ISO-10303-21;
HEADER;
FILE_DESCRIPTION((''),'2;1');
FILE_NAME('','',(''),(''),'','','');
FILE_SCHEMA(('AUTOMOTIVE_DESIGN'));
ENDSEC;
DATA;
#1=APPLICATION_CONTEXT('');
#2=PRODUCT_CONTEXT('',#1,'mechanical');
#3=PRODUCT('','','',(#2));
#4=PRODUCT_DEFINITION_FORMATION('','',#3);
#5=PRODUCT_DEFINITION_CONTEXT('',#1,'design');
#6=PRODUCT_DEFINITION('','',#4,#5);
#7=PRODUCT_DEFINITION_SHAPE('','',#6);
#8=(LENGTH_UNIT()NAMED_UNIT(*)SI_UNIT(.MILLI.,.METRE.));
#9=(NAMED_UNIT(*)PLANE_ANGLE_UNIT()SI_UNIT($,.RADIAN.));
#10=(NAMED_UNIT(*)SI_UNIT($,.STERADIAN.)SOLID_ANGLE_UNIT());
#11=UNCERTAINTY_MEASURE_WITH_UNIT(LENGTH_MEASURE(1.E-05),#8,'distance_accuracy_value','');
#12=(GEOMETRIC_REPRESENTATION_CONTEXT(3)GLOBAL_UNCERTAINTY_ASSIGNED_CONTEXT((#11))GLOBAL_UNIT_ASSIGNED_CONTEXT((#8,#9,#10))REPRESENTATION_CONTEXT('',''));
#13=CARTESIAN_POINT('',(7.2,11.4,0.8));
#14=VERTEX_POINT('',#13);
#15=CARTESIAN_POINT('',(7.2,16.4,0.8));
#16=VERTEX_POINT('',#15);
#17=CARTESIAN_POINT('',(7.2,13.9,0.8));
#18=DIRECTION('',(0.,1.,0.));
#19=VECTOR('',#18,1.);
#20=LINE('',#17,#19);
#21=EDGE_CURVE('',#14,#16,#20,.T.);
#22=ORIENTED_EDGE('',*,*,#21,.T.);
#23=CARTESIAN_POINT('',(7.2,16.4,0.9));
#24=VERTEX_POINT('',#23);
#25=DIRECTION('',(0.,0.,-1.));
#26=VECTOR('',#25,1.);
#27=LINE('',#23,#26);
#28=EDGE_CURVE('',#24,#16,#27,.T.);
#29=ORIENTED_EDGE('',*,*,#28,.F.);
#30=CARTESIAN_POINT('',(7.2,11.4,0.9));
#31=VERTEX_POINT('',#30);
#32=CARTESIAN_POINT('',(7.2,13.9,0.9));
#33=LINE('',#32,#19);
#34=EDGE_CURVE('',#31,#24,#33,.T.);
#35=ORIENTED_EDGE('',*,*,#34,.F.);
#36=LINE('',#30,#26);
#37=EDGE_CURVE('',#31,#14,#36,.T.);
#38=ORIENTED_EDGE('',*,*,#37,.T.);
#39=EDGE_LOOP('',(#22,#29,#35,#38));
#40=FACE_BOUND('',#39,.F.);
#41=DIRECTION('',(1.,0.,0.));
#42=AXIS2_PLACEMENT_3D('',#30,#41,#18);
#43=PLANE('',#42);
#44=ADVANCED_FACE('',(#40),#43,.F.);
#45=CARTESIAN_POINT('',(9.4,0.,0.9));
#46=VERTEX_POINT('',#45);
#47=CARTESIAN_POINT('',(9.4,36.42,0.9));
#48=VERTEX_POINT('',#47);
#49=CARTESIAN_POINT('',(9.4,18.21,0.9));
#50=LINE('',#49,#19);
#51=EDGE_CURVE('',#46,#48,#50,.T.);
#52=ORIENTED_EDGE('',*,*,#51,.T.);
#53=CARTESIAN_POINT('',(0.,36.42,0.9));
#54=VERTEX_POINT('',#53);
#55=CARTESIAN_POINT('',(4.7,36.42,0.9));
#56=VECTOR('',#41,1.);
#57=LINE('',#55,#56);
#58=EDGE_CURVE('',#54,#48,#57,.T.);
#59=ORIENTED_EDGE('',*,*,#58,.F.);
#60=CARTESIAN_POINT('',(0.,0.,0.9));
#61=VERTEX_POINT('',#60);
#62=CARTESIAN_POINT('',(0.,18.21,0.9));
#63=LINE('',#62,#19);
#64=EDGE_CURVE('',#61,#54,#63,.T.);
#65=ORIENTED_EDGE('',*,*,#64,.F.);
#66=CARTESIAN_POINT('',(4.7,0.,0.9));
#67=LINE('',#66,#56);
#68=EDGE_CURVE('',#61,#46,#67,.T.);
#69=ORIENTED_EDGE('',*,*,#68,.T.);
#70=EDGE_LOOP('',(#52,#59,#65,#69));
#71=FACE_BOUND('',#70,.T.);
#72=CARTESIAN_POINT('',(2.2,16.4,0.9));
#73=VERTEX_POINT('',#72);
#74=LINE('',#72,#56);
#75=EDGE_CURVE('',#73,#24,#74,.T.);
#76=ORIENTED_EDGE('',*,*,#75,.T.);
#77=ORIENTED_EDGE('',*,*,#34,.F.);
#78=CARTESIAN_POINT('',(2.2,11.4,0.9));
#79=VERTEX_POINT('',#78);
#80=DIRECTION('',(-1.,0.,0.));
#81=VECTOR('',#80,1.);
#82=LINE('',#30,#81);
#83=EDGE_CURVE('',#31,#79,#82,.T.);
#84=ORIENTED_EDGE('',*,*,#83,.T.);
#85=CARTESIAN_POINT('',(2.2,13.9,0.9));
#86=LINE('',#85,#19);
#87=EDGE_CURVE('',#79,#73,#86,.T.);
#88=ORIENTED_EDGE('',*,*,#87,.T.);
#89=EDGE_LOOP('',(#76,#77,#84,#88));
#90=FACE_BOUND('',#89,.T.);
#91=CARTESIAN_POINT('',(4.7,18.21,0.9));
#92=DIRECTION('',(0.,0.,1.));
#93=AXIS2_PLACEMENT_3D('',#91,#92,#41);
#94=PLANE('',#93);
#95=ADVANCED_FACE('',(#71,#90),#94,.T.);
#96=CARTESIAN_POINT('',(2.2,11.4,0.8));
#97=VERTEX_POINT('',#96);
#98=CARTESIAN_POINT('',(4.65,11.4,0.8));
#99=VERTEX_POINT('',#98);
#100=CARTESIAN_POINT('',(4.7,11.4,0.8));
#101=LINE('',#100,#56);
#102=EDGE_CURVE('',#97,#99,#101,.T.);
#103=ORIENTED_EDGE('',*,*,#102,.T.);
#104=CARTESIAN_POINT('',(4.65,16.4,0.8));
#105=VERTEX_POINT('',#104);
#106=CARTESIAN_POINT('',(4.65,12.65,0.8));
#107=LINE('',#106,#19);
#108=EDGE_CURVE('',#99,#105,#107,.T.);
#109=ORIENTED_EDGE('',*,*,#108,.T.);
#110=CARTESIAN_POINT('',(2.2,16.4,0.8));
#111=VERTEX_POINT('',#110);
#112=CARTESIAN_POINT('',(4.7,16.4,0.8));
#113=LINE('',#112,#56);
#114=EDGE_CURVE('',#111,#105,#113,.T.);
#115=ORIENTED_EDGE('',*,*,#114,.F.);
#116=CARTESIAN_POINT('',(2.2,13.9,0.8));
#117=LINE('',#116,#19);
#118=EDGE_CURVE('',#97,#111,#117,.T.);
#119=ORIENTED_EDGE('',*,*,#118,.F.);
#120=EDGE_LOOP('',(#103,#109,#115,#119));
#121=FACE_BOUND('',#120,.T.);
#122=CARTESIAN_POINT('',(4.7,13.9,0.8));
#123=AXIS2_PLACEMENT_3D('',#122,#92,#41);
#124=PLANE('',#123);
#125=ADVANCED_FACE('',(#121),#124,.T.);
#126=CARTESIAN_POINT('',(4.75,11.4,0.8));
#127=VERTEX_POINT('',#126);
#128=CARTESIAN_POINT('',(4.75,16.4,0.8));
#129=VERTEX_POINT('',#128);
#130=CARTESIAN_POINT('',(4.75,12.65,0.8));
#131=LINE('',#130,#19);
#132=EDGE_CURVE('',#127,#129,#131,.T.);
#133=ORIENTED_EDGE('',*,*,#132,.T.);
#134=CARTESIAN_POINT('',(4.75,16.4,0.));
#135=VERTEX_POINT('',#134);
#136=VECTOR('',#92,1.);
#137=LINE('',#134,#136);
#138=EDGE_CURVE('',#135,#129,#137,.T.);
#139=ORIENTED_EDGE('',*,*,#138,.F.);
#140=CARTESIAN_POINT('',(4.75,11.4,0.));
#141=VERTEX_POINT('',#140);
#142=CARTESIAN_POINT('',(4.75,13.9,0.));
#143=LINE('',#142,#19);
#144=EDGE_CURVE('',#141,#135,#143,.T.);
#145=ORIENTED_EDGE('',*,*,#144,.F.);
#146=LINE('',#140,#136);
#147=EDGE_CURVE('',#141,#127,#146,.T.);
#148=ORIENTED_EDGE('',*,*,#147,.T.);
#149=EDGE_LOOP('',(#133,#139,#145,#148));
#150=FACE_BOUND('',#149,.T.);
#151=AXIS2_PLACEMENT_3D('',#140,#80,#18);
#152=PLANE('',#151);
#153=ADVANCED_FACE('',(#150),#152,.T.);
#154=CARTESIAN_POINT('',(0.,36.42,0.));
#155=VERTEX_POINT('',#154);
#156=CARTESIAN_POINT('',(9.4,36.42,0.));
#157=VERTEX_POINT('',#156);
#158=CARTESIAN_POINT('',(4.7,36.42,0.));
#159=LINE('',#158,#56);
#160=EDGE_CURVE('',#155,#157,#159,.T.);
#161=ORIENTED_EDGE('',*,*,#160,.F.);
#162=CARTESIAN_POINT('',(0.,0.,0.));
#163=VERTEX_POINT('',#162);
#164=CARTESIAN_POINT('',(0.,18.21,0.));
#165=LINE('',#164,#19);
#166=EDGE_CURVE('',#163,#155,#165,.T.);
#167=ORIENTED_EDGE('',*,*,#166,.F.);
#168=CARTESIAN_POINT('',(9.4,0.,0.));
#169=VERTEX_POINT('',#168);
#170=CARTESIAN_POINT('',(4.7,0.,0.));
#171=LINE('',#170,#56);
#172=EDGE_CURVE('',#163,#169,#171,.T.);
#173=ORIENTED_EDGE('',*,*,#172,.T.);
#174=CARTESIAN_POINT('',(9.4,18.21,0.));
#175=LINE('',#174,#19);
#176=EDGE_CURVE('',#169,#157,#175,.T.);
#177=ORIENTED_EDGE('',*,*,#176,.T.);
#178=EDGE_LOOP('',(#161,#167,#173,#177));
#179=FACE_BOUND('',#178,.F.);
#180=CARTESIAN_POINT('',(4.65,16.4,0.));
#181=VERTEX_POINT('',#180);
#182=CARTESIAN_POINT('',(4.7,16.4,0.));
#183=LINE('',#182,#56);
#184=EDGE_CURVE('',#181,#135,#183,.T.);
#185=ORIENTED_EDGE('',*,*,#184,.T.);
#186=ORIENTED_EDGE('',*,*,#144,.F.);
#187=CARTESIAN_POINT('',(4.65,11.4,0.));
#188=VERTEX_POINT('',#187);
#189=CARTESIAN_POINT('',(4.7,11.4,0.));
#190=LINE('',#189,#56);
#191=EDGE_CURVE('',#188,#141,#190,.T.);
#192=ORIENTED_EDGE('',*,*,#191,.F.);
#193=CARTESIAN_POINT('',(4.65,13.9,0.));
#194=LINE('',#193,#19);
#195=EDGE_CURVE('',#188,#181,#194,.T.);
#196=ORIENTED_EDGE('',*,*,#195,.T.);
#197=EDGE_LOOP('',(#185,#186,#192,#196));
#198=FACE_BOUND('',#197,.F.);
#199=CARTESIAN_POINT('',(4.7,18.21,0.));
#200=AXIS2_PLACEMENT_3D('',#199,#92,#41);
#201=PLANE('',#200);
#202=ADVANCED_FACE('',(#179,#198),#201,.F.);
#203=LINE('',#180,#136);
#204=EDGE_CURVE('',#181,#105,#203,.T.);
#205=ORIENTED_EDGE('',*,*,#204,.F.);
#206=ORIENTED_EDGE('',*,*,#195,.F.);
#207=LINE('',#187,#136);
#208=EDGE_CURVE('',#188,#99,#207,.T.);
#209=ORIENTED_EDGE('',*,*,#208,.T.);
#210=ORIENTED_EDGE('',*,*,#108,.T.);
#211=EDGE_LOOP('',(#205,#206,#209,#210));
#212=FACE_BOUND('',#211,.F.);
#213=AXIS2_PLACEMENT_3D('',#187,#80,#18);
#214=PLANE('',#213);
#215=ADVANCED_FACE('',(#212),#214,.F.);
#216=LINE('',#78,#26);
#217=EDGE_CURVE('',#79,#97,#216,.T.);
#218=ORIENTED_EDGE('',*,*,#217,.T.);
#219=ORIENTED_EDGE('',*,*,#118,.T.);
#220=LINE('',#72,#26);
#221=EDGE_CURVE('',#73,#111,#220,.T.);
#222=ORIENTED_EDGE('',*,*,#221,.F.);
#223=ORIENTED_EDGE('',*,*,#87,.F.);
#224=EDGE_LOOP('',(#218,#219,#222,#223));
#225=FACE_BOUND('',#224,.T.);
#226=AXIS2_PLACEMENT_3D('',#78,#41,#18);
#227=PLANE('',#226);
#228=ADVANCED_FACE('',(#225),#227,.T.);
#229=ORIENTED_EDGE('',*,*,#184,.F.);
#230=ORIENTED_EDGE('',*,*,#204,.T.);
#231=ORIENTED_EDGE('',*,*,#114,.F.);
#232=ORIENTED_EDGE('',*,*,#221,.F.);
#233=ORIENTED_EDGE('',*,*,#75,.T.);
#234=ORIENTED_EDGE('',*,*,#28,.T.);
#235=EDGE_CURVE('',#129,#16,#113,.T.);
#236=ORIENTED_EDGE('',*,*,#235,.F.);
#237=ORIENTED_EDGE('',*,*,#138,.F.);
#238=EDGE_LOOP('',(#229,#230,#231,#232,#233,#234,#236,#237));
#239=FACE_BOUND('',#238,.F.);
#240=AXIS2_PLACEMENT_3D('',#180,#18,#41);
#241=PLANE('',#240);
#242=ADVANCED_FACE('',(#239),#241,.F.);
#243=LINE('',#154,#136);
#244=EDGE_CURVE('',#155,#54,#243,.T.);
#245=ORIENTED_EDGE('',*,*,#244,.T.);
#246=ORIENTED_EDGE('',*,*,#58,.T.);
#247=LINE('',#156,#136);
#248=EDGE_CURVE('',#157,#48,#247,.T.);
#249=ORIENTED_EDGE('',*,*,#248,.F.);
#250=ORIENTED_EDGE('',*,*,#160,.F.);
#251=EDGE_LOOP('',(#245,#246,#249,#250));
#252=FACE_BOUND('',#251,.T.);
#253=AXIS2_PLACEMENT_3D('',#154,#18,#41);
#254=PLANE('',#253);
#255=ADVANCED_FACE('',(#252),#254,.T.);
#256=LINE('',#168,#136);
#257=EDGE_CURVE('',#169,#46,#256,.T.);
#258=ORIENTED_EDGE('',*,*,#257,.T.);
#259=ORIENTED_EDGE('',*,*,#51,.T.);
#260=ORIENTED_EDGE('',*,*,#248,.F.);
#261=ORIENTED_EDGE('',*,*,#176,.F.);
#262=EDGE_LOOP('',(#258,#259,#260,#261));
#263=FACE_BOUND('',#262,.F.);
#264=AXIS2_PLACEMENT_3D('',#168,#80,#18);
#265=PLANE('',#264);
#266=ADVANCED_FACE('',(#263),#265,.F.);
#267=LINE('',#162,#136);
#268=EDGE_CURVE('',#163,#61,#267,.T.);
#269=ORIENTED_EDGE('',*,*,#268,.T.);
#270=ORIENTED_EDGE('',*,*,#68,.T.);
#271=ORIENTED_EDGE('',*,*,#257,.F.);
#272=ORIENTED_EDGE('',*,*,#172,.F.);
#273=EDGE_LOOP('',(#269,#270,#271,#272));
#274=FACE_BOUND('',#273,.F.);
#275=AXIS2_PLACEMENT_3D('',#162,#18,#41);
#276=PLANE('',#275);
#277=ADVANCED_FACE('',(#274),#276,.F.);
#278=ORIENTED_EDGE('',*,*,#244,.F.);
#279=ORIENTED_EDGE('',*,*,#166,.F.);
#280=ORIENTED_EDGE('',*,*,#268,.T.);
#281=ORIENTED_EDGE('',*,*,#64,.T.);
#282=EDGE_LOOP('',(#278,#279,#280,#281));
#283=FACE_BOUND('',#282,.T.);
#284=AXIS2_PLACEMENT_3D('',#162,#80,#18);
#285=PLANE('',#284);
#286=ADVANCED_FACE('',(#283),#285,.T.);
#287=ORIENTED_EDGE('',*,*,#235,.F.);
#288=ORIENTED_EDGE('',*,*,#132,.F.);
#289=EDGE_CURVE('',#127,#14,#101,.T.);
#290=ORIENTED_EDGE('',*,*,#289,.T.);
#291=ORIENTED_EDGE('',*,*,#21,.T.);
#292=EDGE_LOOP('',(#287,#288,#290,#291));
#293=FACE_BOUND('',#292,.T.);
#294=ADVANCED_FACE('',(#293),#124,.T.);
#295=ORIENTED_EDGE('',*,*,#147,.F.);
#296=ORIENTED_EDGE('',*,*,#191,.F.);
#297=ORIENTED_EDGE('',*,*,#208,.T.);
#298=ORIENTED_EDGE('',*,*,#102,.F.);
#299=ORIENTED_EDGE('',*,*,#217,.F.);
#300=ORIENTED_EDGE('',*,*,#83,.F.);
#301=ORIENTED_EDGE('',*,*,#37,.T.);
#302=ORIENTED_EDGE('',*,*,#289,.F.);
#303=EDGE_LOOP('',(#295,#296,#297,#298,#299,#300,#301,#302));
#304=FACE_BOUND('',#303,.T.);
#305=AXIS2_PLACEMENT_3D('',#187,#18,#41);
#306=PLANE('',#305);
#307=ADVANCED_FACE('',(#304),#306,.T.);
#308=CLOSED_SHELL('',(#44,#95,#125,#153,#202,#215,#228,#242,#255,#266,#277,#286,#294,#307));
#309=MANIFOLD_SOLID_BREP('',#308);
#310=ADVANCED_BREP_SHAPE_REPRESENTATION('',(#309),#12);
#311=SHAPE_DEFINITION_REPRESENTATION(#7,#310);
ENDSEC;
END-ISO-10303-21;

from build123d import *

# Parameters (mm, degrees)
SKETCH_W     = 9.4
SKETCH_H     = 36.42
SKETCH_W_2   = 0.1
SKETCH_H_2   = 5
PAD_DEPTH    = 0.9
SKETCH001_W  = 5
SKETCH001_H  = 5
POCKET_DEPTH = 0.1


with BuildPart() as part:
    # Sketch → Pad (new body)
    with BuildSketch(Plane.XY):
        with Locations((4.7, 18.21)):
            Rectangle(SKETCH_W, SKETCH_H)
        with Locations((4.7, 13.9)):
            Rectangle(SKETCH_W_2, SKETCH_H_2, mode=Mode.SUBTRACT)
    extrude(amount=PAD_DEPTH)

    # Sketch001 (on Face10 of Pad) → Pocket (cut)
    with BuildSketch(Plane.XY.offset(0.9)):
        with Locations((4.7, 13.9)):
            Rectangle(SKETCH001_W, SKETCH001_H)
    extrude(amount=-POCKET_DEPTH, mode=Mode.SUBTRACT)


solid = part.part
